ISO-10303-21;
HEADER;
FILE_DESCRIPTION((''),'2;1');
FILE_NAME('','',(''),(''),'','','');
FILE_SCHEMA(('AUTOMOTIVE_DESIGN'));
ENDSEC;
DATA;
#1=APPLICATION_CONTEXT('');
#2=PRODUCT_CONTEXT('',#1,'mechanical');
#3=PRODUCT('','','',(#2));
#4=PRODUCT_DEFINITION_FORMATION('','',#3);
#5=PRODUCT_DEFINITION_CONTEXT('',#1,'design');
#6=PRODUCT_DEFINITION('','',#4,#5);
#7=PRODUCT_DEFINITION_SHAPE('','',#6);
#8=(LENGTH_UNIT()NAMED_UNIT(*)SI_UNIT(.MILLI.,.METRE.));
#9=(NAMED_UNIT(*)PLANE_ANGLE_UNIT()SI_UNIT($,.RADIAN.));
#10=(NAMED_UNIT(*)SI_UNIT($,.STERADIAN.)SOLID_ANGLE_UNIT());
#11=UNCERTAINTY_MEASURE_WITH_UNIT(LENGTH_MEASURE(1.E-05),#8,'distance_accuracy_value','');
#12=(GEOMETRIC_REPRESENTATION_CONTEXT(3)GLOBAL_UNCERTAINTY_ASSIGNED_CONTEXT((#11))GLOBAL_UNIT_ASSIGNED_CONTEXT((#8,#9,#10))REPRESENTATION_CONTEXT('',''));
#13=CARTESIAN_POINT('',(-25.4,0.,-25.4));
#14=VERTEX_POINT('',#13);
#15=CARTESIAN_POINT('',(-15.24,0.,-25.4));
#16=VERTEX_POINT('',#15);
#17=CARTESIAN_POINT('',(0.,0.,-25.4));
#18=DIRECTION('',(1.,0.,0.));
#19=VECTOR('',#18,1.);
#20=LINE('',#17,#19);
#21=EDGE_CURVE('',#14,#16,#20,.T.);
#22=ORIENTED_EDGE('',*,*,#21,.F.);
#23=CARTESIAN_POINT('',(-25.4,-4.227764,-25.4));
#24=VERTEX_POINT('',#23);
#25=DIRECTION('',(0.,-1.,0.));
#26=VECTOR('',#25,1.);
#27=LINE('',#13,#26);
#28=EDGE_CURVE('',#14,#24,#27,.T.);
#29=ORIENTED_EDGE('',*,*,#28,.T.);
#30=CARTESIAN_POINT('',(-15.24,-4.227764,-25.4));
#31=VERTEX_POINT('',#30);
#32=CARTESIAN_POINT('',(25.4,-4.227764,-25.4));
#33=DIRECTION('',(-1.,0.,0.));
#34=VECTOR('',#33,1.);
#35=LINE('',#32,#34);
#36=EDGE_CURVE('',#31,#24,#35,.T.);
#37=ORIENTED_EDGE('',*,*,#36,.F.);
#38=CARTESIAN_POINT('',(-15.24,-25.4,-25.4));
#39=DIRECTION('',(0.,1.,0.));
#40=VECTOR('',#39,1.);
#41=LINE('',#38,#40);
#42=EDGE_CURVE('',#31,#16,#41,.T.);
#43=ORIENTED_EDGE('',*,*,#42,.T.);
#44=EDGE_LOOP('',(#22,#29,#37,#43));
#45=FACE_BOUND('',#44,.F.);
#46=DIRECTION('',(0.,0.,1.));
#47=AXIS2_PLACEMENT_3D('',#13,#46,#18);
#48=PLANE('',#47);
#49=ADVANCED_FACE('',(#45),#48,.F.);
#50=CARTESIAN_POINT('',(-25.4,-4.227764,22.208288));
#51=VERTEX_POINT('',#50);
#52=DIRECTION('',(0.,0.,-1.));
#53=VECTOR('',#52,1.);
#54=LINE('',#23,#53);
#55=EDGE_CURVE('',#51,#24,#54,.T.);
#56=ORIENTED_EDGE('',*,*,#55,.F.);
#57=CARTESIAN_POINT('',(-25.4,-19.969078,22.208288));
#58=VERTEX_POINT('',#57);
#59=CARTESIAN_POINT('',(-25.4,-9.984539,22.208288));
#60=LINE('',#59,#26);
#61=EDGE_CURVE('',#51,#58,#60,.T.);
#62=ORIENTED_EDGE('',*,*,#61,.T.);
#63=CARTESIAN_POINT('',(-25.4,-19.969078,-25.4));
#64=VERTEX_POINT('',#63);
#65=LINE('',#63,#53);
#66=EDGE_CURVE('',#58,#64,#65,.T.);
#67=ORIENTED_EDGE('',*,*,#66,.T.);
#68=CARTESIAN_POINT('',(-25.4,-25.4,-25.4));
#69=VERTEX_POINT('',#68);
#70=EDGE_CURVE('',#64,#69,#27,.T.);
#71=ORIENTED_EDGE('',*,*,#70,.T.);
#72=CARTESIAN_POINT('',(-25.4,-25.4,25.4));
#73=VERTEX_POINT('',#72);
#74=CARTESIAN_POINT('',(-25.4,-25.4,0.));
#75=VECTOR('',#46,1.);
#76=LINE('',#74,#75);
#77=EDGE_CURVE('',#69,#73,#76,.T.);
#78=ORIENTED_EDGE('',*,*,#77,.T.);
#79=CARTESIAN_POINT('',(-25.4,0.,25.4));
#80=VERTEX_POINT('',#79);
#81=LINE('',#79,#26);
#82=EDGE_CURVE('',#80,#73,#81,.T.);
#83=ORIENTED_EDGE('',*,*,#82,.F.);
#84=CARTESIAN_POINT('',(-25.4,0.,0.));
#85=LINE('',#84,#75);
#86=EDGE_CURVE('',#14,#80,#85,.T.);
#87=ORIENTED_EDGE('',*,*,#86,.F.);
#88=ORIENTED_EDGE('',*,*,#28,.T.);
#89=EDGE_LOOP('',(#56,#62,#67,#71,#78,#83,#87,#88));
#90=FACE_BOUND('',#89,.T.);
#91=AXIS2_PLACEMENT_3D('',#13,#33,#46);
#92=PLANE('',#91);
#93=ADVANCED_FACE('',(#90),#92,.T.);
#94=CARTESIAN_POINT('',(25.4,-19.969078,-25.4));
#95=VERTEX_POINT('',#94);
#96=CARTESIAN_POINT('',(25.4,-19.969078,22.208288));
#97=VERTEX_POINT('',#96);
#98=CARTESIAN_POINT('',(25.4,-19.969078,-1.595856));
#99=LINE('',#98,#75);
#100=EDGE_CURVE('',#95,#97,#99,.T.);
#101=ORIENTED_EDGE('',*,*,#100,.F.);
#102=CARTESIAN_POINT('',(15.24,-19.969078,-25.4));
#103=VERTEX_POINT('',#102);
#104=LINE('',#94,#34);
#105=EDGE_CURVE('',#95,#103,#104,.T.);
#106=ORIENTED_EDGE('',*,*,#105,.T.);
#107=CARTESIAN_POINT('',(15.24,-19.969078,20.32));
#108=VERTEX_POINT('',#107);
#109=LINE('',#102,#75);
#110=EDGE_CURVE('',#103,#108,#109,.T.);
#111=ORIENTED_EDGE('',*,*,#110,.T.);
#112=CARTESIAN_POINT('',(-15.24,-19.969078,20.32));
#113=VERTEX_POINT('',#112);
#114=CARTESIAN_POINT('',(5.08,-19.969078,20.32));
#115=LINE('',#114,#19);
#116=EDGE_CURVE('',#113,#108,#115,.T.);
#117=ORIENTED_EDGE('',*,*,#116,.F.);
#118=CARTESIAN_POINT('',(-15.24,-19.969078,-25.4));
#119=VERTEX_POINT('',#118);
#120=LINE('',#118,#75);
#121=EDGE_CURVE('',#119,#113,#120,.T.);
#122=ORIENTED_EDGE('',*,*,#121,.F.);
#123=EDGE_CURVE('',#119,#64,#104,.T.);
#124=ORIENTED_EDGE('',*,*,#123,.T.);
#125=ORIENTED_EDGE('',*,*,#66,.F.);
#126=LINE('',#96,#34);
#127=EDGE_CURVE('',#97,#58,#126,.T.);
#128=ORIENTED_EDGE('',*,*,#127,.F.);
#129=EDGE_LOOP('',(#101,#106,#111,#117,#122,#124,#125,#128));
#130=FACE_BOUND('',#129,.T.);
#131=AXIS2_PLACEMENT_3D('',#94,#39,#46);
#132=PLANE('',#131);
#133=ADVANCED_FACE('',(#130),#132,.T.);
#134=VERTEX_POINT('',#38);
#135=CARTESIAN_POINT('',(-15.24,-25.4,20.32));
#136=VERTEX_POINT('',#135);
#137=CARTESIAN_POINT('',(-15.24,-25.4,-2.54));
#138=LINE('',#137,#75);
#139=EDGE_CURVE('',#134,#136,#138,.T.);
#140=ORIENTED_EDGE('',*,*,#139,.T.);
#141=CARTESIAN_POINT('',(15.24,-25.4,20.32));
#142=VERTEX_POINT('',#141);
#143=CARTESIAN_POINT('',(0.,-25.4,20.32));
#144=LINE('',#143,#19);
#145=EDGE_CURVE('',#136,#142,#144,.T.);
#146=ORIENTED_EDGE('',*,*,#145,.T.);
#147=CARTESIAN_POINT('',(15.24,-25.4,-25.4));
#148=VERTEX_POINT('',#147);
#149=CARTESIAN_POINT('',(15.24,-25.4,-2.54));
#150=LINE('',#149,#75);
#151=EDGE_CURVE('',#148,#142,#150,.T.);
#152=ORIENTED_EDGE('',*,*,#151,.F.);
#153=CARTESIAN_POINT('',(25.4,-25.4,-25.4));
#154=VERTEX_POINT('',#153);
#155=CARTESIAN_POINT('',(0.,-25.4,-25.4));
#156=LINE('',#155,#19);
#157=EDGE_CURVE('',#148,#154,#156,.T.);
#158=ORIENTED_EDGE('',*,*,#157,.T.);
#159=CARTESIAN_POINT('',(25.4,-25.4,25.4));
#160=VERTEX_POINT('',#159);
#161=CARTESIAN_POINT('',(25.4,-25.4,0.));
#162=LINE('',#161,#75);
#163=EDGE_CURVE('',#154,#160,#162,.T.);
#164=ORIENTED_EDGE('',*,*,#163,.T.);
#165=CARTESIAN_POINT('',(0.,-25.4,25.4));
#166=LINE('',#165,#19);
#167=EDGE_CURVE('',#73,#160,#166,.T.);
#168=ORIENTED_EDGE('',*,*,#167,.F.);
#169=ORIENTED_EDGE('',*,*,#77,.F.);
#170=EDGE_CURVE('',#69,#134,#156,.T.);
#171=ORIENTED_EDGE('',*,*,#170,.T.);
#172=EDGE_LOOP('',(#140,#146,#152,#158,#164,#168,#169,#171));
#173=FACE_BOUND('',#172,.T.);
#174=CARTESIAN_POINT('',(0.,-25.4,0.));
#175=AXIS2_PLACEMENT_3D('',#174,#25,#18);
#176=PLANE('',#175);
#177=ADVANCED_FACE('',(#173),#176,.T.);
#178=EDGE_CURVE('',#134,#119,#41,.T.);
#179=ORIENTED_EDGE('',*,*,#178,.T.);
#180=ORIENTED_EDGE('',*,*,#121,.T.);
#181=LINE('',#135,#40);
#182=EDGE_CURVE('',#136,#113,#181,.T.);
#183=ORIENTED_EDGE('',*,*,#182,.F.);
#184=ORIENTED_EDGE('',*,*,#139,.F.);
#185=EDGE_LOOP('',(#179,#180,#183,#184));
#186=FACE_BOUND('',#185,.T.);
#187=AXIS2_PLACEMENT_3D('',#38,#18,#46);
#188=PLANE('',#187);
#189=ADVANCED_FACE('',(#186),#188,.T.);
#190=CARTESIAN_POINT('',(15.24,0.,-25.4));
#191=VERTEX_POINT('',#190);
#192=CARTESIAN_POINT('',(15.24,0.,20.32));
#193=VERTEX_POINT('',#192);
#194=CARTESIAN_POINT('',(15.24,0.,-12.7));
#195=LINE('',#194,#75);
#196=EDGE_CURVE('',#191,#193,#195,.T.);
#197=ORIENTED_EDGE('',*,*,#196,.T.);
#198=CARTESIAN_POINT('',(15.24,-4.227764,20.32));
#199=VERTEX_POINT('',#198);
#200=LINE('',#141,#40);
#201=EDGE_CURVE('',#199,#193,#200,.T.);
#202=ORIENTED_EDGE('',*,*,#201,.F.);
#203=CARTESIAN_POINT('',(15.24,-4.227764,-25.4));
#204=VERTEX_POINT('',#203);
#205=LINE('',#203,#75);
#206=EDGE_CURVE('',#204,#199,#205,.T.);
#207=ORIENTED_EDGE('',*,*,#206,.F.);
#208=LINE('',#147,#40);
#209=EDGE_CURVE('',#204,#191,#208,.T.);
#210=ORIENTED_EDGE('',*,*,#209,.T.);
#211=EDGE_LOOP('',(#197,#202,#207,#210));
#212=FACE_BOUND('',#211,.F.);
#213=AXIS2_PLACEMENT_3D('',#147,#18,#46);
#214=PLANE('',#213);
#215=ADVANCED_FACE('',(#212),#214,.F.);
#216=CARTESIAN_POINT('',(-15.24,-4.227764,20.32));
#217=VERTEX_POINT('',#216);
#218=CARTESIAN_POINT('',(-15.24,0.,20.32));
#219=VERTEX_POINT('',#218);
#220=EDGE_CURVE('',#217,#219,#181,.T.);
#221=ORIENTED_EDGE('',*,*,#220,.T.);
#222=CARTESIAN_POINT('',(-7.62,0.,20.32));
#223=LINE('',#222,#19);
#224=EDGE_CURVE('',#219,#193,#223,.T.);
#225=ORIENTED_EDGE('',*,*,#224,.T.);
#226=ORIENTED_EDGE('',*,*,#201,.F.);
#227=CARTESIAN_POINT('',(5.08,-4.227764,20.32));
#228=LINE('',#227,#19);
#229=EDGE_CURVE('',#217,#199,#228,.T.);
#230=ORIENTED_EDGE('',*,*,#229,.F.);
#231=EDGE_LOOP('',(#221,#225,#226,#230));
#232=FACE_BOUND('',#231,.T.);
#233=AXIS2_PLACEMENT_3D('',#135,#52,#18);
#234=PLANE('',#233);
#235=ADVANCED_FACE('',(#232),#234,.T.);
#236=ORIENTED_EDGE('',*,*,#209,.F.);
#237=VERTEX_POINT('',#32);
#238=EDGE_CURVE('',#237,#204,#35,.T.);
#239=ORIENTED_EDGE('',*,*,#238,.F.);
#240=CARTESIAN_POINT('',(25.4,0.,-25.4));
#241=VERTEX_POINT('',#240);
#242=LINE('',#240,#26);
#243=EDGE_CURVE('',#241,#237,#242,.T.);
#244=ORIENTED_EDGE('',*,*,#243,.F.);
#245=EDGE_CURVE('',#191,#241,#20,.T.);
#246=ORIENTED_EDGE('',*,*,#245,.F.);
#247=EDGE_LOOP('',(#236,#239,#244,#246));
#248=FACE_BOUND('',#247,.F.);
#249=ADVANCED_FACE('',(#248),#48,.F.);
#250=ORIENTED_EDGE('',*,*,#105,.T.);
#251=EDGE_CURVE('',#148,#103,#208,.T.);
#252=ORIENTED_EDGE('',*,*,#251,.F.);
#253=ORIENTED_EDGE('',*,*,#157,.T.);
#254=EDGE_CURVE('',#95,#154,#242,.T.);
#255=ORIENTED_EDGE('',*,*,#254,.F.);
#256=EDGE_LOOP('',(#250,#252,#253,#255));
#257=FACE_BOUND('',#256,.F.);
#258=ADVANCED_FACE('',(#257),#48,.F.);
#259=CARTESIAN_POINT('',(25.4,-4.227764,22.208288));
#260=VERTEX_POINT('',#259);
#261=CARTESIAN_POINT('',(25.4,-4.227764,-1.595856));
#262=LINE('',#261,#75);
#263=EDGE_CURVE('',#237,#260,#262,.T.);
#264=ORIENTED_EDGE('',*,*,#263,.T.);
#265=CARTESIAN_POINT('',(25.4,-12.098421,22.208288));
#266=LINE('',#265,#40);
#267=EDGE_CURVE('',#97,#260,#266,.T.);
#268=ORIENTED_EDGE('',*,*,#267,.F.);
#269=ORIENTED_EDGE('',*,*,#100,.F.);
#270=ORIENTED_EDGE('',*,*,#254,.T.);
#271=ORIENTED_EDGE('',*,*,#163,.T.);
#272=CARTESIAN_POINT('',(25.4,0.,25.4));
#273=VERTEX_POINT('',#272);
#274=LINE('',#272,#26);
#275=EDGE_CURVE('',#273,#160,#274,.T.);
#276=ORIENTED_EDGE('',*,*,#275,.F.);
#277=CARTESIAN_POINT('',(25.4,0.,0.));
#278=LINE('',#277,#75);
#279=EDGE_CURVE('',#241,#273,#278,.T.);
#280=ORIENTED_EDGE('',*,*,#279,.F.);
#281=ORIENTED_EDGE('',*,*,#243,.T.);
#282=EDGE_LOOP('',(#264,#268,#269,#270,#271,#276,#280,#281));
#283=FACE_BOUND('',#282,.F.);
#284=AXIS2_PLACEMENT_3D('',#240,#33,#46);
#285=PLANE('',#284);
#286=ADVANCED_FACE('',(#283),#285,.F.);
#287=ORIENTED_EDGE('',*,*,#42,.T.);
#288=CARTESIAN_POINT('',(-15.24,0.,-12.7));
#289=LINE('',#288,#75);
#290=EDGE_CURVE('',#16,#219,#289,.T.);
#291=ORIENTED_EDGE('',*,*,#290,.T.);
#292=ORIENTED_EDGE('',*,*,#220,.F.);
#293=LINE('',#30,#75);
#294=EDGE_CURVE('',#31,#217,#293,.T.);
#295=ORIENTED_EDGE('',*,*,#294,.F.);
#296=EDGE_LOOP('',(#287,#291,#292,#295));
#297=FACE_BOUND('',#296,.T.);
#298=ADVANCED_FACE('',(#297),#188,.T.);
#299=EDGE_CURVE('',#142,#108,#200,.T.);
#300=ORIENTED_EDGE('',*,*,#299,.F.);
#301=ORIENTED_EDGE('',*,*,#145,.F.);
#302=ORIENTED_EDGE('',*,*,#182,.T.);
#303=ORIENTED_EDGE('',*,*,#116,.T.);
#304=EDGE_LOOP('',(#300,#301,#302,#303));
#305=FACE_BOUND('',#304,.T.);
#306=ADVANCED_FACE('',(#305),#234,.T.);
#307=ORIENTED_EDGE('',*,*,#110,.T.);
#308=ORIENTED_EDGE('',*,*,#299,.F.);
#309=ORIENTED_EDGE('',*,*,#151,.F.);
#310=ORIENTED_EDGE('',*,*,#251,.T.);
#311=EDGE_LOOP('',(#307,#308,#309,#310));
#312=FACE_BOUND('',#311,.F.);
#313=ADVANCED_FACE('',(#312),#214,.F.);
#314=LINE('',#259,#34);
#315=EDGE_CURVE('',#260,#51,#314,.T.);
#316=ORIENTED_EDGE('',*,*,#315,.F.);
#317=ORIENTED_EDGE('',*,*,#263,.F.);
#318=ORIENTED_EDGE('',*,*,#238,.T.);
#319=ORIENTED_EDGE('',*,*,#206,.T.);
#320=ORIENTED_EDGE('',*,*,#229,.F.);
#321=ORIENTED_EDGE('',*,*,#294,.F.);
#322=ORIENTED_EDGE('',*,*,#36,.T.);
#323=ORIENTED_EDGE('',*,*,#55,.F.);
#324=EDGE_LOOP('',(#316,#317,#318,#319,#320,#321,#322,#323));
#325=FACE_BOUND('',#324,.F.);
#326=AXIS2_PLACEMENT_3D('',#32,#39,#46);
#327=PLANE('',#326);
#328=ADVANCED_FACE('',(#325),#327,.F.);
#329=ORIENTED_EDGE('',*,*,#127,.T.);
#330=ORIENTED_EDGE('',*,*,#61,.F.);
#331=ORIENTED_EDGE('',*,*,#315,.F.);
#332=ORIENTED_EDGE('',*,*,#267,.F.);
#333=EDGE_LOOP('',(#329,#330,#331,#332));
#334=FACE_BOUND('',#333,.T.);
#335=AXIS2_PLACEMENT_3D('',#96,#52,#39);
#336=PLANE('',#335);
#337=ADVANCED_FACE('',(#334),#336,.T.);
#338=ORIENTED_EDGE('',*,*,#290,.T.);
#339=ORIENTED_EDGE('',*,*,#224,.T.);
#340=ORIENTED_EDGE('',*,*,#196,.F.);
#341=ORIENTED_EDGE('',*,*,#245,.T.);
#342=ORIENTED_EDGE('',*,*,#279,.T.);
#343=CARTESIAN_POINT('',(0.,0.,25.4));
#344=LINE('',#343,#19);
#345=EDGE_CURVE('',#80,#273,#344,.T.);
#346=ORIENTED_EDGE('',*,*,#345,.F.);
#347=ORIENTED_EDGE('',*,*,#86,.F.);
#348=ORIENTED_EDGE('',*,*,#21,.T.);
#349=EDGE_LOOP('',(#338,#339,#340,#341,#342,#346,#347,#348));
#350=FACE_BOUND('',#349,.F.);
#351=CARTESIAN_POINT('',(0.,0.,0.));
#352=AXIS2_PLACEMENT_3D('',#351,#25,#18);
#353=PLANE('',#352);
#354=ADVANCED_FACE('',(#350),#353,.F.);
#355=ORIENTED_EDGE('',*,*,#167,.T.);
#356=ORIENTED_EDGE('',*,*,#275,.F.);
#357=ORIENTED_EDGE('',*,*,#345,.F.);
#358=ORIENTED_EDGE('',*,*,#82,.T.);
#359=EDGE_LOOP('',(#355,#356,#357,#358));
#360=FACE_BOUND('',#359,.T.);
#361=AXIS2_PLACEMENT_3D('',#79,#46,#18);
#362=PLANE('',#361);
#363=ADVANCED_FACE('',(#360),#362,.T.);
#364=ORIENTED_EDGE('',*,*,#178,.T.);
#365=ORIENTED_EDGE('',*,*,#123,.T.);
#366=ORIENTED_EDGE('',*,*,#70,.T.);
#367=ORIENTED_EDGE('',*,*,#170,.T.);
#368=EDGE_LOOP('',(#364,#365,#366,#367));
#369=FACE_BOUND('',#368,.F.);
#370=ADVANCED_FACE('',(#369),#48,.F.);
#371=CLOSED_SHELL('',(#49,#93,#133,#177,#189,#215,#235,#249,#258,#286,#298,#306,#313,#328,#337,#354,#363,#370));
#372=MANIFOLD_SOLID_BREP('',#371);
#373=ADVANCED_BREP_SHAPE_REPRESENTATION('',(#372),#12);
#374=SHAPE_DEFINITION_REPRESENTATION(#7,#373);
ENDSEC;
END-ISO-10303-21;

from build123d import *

# Parameters (mm, degrees)
F0_W     = 50.8
F0_H     = 50.8
F1_DEPTH = 25.4
F2_W     = 30.48
F2_H     = 45.72
F3_DEPTH = 25.401
F4_W     = 15.741314
F4_H     = 47.608288
F5_DEPTH = 50.801


with BuildPart() as f1:
    # F0 (on Front) → F1 (new body)
    with BuildSketch(Plane.XZ):
        Rectangle(F0_W, F0_H)
    extrude(amount=F1_DEPTH)

    # F2 (on face) → F3 (cut, through all)
    with BuildSketch(Plane.XZ.offset(25.4)):
        with Locations((0, -2.54)):
            Rectangle(F2_W, F2_H)
    extrude(amount=-F3_DEPTH, mode=Mode.SUBTRACT)

    # F4 (on face) → F5 (cut, through all)
    with BuildSketch(Plane.YZ.offset(25.4)):
        with Locations((-12.098421, -1.595856)):
            Rectangle(F4_W, F4_H)
    extrude(amount=-F5_DEPTH, mode=Mode.SUBTRACT)


solid = f1.part
